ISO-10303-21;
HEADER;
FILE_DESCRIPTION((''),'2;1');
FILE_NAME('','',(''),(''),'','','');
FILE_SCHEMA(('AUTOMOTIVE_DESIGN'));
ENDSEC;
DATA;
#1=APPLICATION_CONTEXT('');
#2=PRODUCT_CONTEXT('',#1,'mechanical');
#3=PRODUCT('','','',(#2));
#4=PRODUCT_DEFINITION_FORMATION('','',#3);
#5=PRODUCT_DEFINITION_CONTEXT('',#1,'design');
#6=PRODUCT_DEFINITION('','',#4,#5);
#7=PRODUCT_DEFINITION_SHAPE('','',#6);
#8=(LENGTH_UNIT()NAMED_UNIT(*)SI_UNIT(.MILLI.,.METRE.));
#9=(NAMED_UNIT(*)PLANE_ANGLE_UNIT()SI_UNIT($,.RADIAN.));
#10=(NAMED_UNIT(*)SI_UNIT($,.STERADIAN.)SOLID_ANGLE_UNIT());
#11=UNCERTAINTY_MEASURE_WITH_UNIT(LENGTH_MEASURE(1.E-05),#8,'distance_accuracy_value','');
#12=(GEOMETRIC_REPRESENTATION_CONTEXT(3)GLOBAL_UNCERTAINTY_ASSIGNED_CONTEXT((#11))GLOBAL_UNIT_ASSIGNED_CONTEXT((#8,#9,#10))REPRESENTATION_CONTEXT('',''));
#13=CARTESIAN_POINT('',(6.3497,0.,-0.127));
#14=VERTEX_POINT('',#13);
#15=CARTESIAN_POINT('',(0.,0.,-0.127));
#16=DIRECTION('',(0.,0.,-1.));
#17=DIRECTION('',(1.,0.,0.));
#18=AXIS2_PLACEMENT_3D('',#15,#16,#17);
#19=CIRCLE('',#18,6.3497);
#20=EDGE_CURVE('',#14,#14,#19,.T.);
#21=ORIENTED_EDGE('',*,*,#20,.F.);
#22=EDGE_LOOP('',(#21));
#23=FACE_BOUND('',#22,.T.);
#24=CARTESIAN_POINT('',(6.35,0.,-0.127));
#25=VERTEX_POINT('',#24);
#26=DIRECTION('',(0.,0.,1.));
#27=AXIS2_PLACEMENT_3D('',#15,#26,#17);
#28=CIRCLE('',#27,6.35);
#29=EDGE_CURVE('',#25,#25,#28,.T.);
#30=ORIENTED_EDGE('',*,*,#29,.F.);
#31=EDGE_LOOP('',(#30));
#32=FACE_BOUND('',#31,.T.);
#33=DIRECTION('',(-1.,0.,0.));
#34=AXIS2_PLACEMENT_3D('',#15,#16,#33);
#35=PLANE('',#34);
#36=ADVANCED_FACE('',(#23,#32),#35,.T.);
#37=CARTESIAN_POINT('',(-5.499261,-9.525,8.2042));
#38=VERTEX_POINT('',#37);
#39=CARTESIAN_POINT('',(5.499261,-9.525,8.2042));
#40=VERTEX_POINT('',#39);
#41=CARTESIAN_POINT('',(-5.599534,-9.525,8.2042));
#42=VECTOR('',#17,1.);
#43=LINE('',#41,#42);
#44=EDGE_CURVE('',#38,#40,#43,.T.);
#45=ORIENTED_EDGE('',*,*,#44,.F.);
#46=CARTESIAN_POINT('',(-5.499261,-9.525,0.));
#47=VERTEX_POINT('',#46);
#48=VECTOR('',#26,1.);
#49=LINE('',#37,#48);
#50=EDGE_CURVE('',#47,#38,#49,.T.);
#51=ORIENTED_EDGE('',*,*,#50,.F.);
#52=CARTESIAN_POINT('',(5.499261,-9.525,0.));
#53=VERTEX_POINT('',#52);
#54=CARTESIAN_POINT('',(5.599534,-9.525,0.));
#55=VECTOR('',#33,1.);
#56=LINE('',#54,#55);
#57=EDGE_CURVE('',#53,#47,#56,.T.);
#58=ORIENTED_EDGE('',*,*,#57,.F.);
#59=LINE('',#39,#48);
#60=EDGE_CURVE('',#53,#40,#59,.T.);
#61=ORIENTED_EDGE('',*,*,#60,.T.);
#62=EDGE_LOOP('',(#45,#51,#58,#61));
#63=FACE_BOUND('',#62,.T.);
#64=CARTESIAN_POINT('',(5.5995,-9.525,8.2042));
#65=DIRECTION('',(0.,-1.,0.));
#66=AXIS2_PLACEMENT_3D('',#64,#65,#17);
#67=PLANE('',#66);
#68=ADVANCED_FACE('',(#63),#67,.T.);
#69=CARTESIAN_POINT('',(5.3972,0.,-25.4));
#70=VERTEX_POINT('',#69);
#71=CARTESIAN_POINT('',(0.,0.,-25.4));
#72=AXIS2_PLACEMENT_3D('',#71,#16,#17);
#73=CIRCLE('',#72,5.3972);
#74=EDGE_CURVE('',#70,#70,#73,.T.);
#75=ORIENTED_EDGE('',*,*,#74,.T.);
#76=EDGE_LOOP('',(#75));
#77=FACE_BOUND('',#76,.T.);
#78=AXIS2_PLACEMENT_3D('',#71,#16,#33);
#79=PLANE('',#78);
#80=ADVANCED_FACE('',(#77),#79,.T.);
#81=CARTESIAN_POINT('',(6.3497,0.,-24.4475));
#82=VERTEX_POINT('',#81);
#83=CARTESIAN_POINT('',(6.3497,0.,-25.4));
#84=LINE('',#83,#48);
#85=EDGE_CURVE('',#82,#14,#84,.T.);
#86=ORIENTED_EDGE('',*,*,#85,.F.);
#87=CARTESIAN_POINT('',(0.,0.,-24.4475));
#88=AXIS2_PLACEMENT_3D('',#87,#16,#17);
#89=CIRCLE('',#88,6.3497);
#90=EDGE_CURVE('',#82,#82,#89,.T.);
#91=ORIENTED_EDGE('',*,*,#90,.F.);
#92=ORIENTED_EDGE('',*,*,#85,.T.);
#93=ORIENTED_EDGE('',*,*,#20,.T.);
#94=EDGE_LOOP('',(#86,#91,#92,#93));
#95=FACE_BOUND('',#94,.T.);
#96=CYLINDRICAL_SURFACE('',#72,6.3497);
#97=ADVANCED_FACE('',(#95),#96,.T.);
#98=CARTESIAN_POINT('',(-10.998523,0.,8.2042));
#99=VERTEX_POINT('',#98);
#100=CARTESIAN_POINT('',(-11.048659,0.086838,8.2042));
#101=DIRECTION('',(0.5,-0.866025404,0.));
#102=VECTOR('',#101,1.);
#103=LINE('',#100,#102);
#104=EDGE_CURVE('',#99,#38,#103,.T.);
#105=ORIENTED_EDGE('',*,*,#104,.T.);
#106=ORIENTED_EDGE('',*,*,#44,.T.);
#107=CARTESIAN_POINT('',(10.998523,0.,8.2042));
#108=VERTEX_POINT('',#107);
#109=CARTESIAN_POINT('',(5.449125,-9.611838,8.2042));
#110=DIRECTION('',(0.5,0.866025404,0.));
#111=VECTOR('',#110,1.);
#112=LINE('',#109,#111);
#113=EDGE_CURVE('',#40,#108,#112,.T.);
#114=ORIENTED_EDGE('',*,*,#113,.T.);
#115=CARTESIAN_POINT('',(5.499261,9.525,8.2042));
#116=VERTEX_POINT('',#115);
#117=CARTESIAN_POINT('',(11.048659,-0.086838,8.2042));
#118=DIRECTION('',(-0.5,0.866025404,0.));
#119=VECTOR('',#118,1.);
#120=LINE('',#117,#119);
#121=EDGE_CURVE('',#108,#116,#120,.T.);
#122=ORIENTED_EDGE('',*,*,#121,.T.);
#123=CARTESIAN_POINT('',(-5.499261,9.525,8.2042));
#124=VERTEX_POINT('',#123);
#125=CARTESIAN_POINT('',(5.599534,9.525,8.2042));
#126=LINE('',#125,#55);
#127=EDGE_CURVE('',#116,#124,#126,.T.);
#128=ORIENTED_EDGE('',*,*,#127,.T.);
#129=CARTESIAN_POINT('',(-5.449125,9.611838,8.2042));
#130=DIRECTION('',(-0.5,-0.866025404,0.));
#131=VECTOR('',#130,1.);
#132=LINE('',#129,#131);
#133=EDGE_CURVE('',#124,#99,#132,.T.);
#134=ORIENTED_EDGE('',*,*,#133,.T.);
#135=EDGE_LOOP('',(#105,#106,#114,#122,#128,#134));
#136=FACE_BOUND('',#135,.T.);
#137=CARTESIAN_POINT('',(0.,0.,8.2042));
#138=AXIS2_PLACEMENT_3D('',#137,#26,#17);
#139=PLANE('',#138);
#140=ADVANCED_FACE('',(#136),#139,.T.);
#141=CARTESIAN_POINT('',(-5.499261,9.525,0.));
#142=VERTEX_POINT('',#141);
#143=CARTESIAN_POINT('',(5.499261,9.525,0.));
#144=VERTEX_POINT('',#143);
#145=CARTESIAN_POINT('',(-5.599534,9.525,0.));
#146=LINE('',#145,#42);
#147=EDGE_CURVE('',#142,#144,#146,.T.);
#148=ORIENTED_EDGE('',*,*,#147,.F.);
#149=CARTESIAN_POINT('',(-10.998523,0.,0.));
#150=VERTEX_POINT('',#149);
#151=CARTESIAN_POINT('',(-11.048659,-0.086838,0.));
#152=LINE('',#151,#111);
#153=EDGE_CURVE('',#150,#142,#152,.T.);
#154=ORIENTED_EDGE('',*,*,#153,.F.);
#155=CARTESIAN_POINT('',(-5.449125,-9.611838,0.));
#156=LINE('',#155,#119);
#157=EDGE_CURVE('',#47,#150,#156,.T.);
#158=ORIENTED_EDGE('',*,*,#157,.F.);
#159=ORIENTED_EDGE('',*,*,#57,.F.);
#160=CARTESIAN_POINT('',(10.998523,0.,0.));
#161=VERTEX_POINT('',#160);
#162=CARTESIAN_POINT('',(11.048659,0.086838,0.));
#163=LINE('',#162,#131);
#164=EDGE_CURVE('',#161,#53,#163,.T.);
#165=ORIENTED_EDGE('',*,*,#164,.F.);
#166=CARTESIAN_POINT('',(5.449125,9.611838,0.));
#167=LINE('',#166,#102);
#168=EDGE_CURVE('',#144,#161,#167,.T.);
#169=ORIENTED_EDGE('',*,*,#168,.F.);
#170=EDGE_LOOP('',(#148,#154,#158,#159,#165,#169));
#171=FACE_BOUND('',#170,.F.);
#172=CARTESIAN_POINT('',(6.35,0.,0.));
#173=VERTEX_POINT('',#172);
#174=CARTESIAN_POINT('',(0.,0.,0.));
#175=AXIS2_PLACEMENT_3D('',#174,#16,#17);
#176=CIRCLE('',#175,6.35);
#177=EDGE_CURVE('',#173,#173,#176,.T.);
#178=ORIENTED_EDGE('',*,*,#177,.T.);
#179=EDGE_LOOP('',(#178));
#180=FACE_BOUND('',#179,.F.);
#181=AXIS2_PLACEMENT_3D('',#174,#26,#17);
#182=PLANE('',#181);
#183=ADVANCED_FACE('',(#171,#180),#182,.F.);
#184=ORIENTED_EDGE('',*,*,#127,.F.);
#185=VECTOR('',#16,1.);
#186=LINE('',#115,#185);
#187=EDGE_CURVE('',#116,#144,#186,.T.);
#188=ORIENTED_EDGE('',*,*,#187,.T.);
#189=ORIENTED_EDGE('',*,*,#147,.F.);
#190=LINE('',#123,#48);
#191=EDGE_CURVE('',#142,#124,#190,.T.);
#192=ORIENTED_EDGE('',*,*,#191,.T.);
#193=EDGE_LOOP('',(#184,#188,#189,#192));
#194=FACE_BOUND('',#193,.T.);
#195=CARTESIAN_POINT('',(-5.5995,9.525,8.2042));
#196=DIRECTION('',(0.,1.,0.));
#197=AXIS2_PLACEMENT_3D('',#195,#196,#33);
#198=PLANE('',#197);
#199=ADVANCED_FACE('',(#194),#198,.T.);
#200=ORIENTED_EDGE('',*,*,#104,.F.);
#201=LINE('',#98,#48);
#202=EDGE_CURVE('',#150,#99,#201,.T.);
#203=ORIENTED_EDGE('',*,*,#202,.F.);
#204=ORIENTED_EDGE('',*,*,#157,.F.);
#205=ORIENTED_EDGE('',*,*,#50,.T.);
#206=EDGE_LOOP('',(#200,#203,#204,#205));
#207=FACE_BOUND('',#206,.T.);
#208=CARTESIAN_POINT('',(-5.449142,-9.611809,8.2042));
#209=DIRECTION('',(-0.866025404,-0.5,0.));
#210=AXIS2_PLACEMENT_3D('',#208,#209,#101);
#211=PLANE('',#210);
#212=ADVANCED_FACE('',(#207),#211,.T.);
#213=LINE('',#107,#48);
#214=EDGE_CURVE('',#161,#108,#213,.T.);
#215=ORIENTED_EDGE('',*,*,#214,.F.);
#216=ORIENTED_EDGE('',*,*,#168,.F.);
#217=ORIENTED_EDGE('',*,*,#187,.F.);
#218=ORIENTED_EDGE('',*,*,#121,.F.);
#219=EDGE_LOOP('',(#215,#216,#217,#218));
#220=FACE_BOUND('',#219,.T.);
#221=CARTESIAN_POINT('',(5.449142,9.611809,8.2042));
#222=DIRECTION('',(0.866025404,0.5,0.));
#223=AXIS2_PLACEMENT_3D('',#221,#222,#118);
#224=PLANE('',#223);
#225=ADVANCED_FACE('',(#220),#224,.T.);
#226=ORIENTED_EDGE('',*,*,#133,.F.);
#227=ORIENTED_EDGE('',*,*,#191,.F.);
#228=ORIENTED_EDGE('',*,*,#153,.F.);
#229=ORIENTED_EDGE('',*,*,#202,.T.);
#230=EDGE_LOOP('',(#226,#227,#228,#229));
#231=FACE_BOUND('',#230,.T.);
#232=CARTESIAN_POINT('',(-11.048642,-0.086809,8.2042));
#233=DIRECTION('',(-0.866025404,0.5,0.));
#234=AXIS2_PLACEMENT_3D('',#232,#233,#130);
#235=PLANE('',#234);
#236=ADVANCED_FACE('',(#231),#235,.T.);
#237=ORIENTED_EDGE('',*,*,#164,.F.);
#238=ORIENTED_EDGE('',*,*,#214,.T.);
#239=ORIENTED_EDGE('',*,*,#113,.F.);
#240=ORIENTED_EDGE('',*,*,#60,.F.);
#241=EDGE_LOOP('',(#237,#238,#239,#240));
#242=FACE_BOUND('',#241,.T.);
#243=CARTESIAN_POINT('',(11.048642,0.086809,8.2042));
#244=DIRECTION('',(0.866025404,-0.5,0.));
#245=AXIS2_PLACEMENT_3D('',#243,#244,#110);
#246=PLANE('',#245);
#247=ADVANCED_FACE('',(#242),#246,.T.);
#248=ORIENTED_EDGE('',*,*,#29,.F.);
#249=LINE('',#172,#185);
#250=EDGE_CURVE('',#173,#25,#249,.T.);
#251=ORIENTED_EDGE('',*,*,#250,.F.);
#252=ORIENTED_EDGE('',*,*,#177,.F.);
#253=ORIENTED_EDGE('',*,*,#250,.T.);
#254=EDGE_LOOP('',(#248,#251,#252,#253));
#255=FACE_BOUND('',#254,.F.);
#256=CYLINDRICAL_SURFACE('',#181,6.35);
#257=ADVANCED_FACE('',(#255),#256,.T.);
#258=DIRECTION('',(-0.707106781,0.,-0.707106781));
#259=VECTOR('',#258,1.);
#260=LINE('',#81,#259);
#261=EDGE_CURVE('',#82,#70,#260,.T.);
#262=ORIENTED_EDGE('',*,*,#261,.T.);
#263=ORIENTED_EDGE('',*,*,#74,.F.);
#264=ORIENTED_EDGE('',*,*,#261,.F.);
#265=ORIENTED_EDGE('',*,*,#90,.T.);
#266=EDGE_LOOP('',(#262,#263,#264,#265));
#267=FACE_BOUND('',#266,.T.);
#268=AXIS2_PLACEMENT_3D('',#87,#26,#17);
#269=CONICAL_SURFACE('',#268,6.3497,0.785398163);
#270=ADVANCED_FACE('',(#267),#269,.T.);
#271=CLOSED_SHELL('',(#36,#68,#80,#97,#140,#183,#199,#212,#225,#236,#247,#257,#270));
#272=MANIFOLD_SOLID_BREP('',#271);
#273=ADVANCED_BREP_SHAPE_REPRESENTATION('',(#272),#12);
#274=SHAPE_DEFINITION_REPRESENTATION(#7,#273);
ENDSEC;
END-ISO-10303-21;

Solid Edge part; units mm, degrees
sketch "Sketch1" plane through (0, 0, 0) normal (0, 0, 1) x (1, 0, 0)
  circle A0 centre (0, 0) radius 11.049
  dimension "D1" = 22.098
extrude "Protrusion1" add sketch "Sketch1" along normal blind 8.2042
sketch "Sketch2" plane through (0, 0, 0) normal (0, 0, -1) x (1, 0, 0)
  circle A0 centre (0, 0) radius 6.35
extrude "Protrusion2" add sketch "Sketch2" along normal blind 25.4
sketch "Sketch3" plane through (0, 0, -25.4) normal (0, 0, -1) x (1, 0, 0)
  circle A0 centre (0, 0) radius 6.3497
extrude "Cutout1" cut sketch "Sketch3" against normal blind 25.273 flip side to cut
chamfer "Chamfer_1" distance 0.9525 angle 45 1 edges at (-6.3497, 0, -25.4)
sketch "Sketch4" plane through (0, 0, 8.2042) normal (0, 0, 1) x (1, 0, 0)
  line L0 (-5.5995, 9.525) -> (5.5995, 9.525)
  dimension "D1" = 19.05
extrude "Cutout2" cut sketch "Sketch4" against normal up to next material side at (0, 9.575, 8.2042)
pattern_circular "Pattern1" count 6 over 360 about axis through (0, 0, 8.2042) along (0, 0, 1) of "Cutout2"
properties part number "24100030"
